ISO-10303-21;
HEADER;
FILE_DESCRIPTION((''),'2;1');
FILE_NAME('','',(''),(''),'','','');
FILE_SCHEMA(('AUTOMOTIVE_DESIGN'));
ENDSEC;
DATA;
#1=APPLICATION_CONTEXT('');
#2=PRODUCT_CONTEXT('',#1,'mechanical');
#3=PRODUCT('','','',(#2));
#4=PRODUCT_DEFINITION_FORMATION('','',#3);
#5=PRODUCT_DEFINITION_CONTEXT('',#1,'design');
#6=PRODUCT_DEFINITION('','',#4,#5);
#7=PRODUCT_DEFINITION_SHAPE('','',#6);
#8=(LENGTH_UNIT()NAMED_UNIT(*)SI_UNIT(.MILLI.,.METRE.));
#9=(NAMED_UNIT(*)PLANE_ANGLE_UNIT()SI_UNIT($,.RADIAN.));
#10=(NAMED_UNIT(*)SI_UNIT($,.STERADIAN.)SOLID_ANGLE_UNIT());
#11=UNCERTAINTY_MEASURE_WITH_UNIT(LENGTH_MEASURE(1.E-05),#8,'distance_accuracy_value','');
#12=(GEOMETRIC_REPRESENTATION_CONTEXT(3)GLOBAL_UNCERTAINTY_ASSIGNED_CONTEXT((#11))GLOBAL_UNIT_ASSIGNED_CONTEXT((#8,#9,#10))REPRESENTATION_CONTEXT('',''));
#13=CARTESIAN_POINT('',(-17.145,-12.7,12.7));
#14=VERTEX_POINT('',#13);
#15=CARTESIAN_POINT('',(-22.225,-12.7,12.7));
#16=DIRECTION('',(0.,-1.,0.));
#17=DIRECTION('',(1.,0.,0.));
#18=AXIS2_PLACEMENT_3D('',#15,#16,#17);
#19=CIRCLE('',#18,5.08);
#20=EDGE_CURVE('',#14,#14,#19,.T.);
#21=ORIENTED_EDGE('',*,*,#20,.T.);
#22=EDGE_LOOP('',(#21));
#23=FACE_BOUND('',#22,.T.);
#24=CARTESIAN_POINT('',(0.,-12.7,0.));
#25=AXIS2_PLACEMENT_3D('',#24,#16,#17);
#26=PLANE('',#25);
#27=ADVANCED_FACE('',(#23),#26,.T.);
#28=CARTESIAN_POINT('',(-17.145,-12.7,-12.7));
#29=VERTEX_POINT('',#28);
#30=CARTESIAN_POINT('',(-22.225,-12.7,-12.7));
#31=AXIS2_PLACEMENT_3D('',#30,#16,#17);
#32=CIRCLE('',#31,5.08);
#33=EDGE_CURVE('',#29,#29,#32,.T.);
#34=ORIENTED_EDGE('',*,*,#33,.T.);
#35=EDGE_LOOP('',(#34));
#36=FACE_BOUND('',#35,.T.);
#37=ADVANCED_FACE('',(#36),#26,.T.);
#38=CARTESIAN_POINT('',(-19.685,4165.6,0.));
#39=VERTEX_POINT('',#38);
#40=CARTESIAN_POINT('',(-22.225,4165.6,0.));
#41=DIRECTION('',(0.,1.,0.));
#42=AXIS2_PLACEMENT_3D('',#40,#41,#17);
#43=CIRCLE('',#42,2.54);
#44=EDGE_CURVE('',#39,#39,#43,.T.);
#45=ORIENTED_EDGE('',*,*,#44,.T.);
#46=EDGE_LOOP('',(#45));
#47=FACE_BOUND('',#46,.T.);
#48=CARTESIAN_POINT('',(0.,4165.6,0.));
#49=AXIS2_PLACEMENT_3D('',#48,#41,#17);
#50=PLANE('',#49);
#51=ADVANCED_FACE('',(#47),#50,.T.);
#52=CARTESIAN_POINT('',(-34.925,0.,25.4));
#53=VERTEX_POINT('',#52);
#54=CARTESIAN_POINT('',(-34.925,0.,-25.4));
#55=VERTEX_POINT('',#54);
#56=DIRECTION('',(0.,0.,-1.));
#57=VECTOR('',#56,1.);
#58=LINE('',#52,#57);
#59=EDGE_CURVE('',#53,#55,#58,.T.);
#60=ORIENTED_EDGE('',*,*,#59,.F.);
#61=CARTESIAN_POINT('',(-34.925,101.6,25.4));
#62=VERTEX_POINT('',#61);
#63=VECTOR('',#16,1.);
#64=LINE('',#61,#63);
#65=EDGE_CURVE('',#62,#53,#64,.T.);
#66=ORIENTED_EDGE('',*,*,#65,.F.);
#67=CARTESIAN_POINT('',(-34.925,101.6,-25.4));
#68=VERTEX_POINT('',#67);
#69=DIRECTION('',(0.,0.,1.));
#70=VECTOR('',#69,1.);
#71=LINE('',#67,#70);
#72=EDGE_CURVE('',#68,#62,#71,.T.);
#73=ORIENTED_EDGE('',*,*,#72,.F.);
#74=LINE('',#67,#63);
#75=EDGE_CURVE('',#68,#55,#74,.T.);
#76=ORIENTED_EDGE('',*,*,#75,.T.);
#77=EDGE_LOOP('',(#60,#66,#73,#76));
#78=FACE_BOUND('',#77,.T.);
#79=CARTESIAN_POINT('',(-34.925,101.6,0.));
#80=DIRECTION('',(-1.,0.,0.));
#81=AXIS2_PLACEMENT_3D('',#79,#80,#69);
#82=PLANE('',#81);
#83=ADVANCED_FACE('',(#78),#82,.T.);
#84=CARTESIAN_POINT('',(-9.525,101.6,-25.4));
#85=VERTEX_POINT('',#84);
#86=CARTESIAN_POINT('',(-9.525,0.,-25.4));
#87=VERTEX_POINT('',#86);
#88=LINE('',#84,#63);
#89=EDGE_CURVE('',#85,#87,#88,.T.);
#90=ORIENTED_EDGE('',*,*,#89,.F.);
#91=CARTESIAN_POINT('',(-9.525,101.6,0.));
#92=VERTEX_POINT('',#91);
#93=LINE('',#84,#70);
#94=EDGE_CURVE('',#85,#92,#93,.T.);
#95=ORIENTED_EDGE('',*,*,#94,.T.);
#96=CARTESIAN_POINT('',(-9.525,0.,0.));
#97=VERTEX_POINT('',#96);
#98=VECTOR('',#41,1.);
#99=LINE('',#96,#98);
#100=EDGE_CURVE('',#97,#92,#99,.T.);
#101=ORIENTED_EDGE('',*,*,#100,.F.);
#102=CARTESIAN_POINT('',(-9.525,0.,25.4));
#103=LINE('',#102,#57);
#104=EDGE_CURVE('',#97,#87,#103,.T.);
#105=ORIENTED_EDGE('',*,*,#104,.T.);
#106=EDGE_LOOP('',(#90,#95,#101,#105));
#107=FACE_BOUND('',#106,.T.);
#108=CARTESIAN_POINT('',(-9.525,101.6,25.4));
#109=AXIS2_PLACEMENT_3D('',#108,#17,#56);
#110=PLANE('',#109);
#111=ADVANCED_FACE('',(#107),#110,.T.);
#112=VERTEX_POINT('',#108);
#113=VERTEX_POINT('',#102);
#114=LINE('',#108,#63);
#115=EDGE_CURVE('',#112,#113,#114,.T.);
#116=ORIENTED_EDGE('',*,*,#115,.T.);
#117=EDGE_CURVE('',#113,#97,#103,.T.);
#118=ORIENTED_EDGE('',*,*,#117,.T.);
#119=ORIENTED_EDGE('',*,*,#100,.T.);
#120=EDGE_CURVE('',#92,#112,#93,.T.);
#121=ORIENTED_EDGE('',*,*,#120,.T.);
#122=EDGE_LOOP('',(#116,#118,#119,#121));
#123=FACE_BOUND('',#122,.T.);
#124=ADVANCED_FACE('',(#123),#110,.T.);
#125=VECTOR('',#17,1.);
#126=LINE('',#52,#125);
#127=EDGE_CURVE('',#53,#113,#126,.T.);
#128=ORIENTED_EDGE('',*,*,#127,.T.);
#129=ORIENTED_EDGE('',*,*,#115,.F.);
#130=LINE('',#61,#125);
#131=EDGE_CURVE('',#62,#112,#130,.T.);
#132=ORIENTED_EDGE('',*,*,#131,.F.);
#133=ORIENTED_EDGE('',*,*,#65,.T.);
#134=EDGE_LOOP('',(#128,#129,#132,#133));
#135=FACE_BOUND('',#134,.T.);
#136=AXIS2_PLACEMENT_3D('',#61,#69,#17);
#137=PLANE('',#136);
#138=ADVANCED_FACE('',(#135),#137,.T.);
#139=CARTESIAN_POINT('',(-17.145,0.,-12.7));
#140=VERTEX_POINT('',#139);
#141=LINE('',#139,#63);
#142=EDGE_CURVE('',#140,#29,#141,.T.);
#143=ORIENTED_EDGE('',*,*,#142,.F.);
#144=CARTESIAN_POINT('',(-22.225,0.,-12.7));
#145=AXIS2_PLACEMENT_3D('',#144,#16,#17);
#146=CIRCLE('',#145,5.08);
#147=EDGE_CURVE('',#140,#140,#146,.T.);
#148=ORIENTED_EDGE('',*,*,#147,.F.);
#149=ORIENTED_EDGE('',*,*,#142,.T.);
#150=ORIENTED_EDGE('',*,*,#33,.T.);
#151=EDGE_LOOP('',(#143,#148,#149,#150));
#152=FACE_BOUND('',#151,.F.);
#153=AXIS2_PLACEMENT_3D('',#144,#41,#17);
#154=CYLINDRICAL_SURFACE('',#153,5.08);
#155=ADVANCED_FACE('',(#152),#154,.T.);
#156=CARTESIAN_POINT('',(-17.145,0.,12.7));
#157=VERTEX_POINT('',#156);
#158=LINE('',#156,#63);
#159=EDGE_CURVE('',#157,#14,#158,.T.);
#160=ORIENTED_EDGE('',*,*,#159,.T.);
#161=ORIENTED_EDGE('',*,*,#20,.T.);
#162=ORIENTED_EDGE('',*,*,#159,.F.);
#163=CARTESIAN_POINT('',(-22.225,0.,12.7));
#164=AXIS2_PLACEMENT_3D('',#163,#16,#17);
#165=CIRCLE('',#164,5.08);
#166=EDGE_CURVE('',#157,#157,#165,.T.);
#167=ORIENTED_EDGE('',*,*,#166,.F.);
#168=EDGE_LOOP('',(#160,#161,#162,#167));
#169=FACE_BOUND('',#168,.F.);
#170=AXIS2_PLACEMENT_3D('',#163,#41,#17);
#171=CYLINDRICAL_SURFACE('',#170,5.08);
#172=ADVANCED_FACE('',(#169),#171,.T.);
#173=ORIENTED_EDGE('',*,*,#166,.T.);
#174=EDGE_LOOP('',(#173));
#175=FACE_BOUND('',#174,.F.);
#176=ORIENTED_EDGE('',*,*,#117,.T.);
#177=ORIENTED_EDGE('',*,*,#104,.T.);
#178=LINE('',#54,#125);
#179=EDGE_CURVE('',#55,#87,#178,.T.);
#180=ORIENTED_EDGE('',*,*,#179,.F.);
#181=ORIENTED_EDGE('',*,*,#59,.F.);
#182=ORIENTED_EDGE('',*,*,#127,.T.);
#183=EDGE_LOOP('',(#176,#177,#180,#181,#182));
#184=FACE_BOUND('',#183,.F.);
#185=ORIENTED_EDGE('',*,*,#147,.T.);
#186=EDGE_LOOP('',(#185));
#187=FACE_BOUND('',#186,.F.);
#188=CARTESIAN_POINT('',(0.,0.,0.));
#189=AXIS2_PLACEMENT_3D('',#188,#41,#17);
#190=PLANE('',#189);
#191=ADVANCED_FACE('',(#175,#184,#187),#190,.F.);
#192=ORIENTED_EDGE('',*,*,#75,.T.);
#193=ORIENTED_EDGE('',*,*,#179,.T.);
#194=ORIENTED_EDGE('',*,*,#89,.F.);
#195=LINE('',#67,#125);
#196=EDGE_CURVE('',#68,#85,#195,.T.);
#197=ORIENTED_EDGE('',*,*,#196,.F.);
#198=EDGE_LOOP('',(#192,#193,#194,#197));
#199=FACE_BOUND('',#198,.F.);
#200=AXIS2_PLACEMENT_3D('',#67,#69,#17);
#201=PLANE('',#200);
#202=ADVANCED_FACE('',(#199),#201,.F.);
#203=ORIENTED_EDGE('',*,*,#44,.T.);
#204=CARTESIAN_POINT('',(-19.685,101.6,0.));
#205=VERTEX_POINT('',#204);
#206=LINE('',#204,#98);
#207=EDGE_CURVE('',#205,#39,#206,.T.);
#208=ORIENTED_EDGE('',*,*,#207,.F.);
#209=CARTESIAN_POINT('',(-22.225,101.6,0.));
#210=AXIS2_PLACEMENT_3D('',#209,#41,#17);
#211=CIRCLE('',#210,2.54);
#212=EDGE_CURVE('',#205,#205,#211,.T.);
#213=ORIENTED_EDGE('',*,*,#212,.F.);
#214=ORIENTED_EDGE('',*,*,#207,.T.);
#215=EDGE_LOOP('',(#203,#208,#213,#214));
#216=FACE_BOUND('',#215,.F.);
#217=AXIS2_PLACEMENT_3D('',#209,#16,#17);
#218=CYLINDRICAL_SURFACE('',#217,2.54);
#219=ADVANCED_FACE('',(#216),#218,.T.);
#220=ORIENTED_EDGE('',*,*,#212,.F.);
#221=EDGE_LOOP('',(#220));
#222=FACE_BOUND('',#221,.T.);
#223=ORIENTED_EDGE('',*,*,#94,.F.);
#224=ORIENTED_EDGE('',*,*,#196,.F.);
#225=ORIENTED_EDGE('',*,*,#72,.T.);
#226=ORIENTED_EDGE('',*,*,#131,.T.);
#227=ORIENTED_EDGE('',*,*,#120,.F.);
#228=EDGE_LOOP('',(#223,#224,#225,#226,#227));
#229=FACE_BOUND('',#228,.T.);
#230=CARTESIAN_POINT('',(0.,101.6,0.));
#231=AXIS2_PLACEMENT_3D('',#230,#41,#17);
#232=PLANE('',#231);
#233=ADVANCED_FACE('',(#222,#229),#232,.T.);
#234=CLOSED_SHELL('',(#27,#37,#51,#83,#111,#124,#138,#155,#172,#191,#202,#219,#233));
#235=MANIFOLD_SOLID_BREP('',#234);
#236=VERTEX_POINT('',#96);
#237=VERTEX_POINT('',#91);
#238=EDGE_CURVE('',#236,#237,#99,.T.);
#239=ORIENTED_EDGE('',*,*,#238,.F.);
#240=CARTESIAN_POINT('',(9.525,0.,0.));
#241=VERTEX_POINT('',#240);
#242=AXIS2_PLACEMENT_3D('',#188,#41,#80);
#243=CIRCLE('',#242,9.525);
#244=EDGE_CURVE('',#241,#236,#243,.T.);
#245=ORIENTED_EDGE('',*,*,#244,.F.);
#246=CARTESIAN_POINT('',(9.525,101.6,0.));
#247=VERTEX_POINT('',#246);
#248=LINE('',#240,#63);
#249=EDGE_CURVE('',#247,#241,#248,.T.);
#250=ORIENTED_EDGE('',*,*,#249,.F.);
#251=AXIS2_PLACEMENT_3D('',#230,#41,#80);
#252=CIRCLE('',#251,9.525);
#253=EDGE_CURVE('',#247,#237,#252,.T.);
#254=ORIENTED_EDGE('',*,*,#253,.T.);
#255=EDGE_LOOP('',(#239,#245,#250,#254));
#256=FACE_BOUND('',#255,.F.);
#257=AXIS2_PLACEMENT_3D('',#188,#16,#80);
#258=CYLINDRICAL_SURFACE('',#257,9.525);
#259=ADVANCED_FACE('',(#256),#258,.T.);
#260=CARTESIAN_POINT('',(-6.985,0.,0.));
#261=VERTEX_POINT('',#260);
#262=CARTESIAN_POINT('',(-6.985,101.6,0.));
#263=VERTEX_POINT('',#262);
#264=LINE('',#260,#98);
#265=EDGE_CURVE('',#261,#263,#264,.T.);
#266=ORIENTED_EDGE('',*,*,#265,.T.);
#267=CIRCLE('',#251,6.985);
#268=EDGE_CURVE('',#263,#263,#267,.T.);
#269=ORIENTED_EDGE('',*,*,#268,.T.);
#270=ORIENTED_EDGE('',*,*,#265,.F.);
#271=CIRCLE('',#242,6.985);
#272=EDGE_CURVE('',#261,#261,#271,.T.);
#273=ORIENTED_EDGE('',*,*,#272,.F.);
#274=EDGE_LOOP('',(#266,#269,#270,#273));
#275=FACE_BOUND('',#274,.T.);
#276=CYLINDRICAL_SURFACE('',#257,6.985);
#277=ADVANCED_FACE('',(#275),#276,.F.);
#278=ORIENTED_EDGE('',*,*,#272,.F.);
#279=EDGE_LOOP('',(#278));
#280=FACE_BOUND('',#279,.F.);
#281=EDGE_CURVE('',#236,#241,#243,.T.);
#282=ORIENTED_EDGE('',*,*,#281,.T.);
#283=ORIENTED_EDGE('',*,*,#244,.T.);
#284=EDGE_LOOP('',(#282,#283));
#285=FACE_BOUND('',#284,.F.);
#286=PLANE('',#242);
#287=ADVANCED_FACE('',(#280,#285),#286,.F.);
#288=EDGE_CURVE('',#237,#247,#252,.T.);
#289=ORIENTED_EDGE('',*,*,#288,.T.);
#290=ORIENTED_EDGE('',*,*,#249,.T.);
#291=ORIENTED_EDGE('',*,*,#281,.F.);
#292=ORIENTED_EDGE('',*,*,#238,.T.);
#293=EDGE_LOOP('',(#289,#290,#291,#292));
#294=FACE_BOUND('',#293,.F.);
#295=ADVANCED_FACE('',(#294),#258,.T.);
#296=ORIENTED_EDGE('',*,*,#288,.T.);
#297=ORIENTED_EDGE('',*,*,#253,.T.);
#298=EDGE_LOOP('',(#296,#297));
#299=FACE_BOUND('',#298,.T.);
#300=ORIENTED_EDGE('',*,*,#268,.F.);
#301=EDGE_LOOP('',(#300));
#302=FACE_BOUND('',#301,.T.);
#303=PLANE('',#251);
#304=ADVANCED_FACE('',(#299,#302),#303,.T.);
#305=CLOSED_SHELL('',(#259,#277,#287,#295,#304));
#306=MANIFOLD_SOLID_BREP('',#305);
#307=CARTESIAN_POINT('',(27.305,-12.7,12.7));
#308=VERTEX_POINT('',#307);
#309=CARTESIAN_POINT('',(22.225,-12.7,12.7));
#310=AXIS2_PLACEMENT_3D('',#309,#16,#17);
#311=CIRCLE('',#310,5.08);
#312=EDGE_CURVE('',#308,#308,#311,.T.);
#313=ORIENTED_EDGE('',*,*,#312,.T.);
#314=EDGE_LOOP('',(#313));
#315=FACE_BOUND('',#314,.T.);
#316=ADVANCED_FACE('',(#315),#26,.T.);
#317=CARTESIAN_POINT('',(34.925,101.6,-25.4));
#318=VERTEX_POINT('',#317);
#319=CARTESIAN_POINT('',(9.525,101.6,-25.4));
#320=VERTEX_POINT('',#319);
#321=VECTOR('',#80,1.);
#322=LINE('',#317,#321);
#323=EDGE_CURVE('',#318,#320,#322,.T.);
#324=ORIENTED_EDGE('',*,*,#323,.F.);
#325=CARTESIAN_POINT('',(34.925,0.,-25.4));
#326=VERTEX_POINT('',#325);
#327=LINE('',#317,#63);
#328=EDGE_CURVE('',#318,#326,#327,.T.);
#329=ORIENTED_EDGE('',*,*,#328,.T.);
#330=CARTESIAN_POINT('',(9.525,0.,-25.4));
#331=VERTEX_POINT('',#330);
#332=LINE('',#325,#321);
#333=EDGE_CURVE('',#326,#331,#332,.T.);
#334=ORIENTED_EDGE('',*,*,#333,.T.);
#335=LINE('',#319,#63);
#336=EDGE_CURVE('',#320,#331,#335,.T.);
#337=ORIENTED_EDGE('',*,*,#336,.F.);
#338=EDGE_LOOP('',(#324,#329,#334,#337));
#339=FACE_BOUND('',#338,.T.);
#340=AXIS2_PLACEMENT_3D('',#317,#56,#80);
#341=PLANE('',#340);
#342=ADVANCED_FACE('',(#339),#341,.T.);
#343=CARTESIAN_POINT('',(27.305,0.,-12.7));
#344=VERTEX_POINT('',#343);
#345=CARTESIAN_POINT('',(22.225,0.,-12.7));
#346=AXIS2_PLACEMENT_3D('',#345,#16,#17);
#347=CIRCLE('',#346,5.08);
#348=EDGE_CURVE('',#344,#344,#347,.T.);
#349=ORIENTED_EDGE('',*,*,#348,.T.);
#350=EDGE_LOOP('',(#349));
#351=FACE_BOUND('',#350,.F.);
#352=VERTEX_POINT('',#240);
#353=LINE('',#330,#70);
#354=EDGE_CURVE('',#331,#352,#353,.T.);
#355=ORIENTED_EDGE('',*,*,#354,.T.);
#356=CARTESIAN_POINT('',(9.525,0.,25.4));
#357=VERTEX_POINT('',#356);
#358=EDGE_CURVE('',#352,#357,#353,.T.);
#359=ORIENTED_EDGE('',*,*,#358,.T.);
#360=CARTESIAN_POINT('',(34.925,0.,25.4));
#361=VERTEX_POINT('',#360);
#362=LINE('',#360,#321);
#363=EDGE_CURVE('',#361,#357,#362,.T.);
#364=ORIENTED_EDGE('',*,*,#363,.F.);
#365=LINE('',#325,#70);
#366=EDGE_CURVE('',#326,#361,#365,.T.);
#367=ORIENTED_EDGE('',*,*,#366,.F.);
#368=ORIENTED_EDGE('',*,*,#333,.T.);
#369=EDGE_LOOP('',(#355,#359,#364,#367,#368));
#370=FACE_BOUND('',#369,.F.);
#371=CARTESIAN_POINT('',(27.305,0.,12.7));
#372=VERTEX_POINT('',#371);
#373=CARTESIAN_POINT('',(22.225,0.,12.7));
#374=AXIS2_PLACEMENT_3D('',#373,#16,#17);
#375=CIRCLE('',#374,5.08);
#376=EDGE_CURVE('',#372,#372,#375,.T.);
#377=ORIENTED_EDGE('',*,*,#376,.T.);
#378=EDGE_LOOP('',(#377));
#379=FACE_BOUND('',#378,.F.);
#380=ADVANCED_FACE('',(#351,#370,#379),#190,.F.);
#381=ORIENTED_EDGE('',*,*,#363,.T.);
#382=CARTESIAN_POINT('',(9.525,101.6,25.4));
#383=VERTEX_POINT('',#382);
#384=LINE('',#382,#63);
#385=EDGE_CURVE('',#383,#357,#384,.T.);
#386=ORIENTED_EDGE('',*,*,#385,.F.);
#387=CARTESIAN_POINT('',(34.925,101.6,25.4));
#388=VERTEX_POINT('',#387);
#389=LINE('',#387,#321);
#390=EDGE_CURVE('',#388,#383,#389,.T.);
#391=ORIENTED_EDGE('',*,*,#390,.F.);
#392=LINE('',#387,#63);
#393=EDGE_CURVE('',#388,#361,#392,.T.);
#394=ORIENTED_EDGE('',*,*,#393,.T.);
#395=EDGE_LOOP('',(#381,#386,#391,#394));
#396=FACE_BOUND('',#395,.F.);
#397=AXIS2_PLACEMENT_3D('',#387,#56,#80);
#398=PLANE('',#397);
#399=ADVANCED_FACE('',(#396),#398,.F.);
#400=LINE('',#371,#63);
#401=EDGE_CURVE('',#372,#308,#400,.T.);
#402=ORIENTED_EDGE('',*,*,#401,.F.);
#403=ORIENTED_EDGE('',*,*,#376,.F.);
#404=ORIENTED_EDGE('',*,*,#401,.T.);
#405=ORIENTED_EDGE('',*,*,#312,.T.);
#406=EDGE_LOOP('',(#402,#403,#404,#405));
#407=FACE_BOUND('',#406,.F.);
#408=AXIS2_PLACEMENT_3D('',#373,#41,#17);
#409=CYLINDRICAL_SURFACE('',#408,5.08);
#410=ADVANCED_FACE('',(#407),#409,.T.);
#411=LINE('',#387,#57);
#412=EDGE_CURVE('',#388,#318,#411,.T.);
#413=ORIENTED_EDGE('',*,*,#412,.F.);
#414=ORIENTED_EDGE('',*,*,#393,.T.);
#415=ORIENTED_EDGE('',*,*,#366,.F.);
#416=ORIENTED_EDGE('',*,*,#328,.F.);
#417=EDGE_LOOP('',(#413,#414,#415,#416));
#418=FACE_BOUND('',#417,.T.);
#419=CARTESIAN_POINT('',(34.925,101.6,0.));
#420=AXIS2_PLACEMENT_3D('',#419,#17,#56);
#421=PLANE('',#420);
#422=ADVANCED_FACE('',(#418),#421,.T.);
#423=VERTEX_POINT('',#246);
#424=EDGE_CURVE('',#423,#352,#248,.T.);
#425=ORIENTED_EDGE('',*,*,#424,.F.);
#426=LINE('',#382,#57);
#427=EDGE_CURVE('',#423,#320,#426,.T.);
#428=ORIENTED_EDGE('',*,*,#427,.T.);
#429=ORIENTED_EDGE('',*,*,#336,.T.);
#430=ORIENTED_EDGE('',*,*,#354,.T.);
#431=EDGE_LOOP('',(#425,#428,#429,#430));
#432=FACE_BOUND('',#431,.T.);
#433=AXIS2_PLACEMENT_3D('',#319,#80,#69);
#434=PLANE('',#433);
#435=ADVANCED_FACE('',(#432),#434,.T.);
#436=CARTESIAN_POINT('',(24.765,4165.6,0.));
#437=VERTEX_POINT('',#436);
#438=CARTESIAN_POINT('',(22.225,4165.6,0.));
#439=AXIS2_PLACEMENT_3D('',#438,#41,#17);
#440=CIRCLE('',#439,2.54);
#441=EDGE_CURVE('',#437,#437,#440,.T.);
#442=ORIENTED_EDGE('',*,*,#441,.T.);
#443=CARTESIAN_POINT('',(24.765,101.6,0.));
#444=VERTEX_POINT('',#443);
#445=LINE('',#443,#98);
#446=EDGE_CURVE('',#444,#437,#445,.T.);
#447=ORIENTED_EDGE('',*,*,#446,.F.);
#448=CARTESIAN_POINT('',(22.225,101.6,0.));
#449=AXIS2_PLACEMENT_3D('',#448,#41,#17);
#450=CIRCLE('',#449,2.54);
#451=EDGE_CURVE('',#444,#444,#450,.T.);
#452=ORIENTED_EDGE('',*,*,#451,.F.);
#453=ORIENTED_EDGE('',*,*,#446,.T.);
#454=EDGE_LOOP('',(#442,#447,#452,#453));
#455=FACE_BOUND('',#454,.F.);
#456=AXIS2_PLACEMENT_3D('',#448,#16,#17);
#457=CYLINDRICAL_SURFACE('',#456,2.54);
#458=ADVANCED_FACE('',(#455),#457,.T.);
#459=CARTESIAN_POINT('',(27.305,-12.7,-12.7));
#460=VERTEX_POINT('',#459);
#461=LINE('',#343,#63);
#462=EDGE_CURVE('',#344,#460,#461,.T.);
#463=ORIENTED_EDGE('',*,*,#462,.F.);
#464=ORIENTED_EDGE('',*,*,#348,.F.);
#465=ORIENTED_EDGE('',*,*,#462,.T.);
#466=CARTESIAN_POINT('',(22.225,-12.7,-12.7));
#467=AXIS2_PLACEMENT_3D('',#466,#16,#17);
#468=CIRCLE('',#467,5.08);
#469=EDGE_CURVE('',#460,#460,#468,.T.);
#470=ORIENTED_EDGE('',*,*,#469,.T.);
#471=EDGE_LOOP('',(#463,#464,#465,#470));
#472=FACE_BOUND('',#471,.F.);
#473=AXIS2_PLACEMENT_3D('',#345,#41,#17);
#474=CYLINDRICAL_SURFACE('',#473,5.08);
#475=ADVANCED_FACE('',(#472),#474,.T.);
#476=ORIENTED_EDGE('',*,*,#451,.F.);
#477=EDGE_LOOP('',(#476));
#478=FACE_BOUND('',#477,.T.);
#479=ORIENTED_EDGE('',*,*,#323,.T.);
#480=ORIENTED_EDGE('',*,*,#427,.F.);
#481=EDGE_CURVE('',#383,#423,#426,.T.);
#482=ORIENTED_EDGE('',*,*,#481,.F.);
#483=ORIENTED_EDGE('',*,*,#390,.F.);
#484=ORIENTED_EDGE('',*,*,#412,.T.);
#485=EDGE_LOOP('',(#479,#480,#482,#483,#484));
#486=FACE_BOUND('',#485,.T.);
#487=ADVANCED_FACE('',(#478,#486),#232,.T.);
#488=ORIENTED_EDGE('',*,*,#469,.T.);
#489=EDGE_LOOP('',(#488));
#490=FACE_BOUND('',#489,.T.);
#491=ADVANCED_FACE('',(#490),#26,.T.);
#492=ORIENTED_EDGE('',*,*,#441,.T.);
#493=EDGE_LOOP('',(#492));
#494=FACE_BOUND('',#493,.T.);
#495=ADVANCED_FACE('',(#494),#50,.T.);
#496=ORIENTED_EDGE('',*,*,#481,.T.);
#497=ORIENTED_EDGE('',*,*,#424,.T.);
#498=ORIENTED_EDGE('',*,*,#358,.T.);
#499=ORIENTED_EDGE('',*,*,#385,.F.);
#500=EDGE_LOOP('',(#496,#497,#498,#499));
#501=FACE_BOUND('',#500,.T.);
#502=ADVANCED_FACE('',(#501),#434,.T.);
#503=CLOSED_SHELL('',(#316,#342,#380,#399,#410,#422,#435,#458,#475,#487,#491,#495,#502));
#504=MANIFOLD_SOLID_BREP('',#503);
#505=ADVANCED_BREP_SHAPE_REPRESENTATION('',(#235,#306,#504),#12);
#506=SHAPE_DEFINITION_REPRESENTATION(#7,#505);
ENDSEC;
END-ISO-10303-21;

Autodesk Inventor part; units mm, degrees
ref_plane "YZ Plane" through (0, 0, 0) normal (1, 0, 0) x (0, 1, 0)
ref_plane "XZ Plane" through (0, 0, 0) normal (0, 1, 0) x (-1, 0, 0)
ref_plane "XY Plane" through (0, 0, 0) normal (0, 0, 1) x (1, 0, 0)
sketch "Sketch1" plane through (0, 0, 0) normal (0, 1, 0) x (-1, 0, 0)
  circle A0 centre (0, 0) radius 9.525
  circle A1 centre (0, 0) radius 6.985
  dimension "d0" = 19.05
  dimension "d2" = 2.54
extrude "Extrusion1" add sketch "Sketch1" along normal blind 101.6
sketch "Sketch2" plane through (0, 101.6, 0) normal (0, 1, 0) x (1, 0, 0)
  circle A0 centre (0, 0) radius 9.525 projected
  line L0 (-9.525, 0) -> (-34.925, 0)
  line L1 (-34.925, 0) -> (-34.925, 25.4)
  line L2 (-34.925, 25.4) -> (-9.525, 25.4)
  line L3 (-9.525, 25.4) -> (-9.525, 0)
  line L4 (-34.925, 0) -> (-34.925, -25.4)
  line L5 (-34.925, -25.4) -> (-9.525, -25.4)
  line L6 (-9.525, -25.4) -> (-9.525, 0)
  line L7 (0, 0) -> (0, -23.8632) construction
  line L8 (9.525, 0) -> (34.925, 0)
  line L9 (34.925, 0) -> (34.925, 25.4)
  line L10 (34.925, 25.4) -> (9.525, 25.4)
  line L11 (9.525, 25.4) -> (9.525, 0)
  line L12 (34.925, 0) -> (34.925, -25.4)
  line L13 (34.925, -25.4) -> (9.525, -25.4)
  line L14 (9.525, -25.4) -> (9.525, 0)
  dimension "d7" = 25.4
  dimension "d17" = 25.4
extrude "Extrusion2" add sketch "Sketch2" against normal blind 101.6 contours L6 L5 L4 L0 | L0 L1 L2 L3 | L11 L10 L9 L8 | L8 L12 L13 L14
sketch "Sketch3" plane through (0, 101.6, 0) normal (0, 1, 0) x (1, 0, 0)
  circle A0 centre (-22.225, 0) radius 2.54
  circle A1 centre (22.225, 0) radius 2.54
  line L0 (9.525, 25.4) -> (9.525, 0) projected
  line L1 (-9.525, 0) -> (-9.525, 25.4) projected
  point P0 (0, 0)
  dimension "d11" = 5.08
  dimension "d12" = 5.08
  dimension "d15" = 12.7
  dimension "d16" = 12.7
extrude "Extrusion3" add sketch "Sketch3" along normal blind 4064
sketch "Sketch4" plane through (0, 0, 0) normal (0, -1, 0) x (1, 0, 0)
  line L0 (-34.925, -25.4) -> (-9.525, -25.4) projected
  circle A0 centre (-22.225, 12.7) radius 5.08
  circle A1 centre (-22.225, -12.7) radius 5.08
  line L1 (0, 0) -> (0, 23.8246) construction
  circle A2 centre (22.225, 12.7) radius 5.08
  circle A3 centre (22.225, -12.7) radius 5.08
  dimension "d18" = 10.16
  dimension "d19" = 10.16
extrude "Extrusion4" add sketch "Sketch4" along normal blind 12.7
sketch "Sketch5" plane through (-22.225, -12.7, 12.7) normal (0, -1, 0) x (1, 0, 0)
  circle A0 centre (0, 0) radius 5.08 projected
sketch "Sketch6" plane through (-22.225, -12.7, -12.7) normal (0, -1, 0) x (1, 0, 0)
  circle A0 centre (0, 0) radius 5.08 projected
sketch "Sketch7" plane through (22.225, -12.7, 12.7) normal (0, -1, 0) x (1, 0, 0)
  circle A0 centre (0, 0) radius 5.08 projected
sketch "Sketch8" plane through (22.225, -12.7, -12.7) normal (0, -1, 0) x (1, 0, 0)
  circle A0 centre (0, 0) radius 5.08 projected
properties part number "2f3lna" material "Aluminum 6061"
